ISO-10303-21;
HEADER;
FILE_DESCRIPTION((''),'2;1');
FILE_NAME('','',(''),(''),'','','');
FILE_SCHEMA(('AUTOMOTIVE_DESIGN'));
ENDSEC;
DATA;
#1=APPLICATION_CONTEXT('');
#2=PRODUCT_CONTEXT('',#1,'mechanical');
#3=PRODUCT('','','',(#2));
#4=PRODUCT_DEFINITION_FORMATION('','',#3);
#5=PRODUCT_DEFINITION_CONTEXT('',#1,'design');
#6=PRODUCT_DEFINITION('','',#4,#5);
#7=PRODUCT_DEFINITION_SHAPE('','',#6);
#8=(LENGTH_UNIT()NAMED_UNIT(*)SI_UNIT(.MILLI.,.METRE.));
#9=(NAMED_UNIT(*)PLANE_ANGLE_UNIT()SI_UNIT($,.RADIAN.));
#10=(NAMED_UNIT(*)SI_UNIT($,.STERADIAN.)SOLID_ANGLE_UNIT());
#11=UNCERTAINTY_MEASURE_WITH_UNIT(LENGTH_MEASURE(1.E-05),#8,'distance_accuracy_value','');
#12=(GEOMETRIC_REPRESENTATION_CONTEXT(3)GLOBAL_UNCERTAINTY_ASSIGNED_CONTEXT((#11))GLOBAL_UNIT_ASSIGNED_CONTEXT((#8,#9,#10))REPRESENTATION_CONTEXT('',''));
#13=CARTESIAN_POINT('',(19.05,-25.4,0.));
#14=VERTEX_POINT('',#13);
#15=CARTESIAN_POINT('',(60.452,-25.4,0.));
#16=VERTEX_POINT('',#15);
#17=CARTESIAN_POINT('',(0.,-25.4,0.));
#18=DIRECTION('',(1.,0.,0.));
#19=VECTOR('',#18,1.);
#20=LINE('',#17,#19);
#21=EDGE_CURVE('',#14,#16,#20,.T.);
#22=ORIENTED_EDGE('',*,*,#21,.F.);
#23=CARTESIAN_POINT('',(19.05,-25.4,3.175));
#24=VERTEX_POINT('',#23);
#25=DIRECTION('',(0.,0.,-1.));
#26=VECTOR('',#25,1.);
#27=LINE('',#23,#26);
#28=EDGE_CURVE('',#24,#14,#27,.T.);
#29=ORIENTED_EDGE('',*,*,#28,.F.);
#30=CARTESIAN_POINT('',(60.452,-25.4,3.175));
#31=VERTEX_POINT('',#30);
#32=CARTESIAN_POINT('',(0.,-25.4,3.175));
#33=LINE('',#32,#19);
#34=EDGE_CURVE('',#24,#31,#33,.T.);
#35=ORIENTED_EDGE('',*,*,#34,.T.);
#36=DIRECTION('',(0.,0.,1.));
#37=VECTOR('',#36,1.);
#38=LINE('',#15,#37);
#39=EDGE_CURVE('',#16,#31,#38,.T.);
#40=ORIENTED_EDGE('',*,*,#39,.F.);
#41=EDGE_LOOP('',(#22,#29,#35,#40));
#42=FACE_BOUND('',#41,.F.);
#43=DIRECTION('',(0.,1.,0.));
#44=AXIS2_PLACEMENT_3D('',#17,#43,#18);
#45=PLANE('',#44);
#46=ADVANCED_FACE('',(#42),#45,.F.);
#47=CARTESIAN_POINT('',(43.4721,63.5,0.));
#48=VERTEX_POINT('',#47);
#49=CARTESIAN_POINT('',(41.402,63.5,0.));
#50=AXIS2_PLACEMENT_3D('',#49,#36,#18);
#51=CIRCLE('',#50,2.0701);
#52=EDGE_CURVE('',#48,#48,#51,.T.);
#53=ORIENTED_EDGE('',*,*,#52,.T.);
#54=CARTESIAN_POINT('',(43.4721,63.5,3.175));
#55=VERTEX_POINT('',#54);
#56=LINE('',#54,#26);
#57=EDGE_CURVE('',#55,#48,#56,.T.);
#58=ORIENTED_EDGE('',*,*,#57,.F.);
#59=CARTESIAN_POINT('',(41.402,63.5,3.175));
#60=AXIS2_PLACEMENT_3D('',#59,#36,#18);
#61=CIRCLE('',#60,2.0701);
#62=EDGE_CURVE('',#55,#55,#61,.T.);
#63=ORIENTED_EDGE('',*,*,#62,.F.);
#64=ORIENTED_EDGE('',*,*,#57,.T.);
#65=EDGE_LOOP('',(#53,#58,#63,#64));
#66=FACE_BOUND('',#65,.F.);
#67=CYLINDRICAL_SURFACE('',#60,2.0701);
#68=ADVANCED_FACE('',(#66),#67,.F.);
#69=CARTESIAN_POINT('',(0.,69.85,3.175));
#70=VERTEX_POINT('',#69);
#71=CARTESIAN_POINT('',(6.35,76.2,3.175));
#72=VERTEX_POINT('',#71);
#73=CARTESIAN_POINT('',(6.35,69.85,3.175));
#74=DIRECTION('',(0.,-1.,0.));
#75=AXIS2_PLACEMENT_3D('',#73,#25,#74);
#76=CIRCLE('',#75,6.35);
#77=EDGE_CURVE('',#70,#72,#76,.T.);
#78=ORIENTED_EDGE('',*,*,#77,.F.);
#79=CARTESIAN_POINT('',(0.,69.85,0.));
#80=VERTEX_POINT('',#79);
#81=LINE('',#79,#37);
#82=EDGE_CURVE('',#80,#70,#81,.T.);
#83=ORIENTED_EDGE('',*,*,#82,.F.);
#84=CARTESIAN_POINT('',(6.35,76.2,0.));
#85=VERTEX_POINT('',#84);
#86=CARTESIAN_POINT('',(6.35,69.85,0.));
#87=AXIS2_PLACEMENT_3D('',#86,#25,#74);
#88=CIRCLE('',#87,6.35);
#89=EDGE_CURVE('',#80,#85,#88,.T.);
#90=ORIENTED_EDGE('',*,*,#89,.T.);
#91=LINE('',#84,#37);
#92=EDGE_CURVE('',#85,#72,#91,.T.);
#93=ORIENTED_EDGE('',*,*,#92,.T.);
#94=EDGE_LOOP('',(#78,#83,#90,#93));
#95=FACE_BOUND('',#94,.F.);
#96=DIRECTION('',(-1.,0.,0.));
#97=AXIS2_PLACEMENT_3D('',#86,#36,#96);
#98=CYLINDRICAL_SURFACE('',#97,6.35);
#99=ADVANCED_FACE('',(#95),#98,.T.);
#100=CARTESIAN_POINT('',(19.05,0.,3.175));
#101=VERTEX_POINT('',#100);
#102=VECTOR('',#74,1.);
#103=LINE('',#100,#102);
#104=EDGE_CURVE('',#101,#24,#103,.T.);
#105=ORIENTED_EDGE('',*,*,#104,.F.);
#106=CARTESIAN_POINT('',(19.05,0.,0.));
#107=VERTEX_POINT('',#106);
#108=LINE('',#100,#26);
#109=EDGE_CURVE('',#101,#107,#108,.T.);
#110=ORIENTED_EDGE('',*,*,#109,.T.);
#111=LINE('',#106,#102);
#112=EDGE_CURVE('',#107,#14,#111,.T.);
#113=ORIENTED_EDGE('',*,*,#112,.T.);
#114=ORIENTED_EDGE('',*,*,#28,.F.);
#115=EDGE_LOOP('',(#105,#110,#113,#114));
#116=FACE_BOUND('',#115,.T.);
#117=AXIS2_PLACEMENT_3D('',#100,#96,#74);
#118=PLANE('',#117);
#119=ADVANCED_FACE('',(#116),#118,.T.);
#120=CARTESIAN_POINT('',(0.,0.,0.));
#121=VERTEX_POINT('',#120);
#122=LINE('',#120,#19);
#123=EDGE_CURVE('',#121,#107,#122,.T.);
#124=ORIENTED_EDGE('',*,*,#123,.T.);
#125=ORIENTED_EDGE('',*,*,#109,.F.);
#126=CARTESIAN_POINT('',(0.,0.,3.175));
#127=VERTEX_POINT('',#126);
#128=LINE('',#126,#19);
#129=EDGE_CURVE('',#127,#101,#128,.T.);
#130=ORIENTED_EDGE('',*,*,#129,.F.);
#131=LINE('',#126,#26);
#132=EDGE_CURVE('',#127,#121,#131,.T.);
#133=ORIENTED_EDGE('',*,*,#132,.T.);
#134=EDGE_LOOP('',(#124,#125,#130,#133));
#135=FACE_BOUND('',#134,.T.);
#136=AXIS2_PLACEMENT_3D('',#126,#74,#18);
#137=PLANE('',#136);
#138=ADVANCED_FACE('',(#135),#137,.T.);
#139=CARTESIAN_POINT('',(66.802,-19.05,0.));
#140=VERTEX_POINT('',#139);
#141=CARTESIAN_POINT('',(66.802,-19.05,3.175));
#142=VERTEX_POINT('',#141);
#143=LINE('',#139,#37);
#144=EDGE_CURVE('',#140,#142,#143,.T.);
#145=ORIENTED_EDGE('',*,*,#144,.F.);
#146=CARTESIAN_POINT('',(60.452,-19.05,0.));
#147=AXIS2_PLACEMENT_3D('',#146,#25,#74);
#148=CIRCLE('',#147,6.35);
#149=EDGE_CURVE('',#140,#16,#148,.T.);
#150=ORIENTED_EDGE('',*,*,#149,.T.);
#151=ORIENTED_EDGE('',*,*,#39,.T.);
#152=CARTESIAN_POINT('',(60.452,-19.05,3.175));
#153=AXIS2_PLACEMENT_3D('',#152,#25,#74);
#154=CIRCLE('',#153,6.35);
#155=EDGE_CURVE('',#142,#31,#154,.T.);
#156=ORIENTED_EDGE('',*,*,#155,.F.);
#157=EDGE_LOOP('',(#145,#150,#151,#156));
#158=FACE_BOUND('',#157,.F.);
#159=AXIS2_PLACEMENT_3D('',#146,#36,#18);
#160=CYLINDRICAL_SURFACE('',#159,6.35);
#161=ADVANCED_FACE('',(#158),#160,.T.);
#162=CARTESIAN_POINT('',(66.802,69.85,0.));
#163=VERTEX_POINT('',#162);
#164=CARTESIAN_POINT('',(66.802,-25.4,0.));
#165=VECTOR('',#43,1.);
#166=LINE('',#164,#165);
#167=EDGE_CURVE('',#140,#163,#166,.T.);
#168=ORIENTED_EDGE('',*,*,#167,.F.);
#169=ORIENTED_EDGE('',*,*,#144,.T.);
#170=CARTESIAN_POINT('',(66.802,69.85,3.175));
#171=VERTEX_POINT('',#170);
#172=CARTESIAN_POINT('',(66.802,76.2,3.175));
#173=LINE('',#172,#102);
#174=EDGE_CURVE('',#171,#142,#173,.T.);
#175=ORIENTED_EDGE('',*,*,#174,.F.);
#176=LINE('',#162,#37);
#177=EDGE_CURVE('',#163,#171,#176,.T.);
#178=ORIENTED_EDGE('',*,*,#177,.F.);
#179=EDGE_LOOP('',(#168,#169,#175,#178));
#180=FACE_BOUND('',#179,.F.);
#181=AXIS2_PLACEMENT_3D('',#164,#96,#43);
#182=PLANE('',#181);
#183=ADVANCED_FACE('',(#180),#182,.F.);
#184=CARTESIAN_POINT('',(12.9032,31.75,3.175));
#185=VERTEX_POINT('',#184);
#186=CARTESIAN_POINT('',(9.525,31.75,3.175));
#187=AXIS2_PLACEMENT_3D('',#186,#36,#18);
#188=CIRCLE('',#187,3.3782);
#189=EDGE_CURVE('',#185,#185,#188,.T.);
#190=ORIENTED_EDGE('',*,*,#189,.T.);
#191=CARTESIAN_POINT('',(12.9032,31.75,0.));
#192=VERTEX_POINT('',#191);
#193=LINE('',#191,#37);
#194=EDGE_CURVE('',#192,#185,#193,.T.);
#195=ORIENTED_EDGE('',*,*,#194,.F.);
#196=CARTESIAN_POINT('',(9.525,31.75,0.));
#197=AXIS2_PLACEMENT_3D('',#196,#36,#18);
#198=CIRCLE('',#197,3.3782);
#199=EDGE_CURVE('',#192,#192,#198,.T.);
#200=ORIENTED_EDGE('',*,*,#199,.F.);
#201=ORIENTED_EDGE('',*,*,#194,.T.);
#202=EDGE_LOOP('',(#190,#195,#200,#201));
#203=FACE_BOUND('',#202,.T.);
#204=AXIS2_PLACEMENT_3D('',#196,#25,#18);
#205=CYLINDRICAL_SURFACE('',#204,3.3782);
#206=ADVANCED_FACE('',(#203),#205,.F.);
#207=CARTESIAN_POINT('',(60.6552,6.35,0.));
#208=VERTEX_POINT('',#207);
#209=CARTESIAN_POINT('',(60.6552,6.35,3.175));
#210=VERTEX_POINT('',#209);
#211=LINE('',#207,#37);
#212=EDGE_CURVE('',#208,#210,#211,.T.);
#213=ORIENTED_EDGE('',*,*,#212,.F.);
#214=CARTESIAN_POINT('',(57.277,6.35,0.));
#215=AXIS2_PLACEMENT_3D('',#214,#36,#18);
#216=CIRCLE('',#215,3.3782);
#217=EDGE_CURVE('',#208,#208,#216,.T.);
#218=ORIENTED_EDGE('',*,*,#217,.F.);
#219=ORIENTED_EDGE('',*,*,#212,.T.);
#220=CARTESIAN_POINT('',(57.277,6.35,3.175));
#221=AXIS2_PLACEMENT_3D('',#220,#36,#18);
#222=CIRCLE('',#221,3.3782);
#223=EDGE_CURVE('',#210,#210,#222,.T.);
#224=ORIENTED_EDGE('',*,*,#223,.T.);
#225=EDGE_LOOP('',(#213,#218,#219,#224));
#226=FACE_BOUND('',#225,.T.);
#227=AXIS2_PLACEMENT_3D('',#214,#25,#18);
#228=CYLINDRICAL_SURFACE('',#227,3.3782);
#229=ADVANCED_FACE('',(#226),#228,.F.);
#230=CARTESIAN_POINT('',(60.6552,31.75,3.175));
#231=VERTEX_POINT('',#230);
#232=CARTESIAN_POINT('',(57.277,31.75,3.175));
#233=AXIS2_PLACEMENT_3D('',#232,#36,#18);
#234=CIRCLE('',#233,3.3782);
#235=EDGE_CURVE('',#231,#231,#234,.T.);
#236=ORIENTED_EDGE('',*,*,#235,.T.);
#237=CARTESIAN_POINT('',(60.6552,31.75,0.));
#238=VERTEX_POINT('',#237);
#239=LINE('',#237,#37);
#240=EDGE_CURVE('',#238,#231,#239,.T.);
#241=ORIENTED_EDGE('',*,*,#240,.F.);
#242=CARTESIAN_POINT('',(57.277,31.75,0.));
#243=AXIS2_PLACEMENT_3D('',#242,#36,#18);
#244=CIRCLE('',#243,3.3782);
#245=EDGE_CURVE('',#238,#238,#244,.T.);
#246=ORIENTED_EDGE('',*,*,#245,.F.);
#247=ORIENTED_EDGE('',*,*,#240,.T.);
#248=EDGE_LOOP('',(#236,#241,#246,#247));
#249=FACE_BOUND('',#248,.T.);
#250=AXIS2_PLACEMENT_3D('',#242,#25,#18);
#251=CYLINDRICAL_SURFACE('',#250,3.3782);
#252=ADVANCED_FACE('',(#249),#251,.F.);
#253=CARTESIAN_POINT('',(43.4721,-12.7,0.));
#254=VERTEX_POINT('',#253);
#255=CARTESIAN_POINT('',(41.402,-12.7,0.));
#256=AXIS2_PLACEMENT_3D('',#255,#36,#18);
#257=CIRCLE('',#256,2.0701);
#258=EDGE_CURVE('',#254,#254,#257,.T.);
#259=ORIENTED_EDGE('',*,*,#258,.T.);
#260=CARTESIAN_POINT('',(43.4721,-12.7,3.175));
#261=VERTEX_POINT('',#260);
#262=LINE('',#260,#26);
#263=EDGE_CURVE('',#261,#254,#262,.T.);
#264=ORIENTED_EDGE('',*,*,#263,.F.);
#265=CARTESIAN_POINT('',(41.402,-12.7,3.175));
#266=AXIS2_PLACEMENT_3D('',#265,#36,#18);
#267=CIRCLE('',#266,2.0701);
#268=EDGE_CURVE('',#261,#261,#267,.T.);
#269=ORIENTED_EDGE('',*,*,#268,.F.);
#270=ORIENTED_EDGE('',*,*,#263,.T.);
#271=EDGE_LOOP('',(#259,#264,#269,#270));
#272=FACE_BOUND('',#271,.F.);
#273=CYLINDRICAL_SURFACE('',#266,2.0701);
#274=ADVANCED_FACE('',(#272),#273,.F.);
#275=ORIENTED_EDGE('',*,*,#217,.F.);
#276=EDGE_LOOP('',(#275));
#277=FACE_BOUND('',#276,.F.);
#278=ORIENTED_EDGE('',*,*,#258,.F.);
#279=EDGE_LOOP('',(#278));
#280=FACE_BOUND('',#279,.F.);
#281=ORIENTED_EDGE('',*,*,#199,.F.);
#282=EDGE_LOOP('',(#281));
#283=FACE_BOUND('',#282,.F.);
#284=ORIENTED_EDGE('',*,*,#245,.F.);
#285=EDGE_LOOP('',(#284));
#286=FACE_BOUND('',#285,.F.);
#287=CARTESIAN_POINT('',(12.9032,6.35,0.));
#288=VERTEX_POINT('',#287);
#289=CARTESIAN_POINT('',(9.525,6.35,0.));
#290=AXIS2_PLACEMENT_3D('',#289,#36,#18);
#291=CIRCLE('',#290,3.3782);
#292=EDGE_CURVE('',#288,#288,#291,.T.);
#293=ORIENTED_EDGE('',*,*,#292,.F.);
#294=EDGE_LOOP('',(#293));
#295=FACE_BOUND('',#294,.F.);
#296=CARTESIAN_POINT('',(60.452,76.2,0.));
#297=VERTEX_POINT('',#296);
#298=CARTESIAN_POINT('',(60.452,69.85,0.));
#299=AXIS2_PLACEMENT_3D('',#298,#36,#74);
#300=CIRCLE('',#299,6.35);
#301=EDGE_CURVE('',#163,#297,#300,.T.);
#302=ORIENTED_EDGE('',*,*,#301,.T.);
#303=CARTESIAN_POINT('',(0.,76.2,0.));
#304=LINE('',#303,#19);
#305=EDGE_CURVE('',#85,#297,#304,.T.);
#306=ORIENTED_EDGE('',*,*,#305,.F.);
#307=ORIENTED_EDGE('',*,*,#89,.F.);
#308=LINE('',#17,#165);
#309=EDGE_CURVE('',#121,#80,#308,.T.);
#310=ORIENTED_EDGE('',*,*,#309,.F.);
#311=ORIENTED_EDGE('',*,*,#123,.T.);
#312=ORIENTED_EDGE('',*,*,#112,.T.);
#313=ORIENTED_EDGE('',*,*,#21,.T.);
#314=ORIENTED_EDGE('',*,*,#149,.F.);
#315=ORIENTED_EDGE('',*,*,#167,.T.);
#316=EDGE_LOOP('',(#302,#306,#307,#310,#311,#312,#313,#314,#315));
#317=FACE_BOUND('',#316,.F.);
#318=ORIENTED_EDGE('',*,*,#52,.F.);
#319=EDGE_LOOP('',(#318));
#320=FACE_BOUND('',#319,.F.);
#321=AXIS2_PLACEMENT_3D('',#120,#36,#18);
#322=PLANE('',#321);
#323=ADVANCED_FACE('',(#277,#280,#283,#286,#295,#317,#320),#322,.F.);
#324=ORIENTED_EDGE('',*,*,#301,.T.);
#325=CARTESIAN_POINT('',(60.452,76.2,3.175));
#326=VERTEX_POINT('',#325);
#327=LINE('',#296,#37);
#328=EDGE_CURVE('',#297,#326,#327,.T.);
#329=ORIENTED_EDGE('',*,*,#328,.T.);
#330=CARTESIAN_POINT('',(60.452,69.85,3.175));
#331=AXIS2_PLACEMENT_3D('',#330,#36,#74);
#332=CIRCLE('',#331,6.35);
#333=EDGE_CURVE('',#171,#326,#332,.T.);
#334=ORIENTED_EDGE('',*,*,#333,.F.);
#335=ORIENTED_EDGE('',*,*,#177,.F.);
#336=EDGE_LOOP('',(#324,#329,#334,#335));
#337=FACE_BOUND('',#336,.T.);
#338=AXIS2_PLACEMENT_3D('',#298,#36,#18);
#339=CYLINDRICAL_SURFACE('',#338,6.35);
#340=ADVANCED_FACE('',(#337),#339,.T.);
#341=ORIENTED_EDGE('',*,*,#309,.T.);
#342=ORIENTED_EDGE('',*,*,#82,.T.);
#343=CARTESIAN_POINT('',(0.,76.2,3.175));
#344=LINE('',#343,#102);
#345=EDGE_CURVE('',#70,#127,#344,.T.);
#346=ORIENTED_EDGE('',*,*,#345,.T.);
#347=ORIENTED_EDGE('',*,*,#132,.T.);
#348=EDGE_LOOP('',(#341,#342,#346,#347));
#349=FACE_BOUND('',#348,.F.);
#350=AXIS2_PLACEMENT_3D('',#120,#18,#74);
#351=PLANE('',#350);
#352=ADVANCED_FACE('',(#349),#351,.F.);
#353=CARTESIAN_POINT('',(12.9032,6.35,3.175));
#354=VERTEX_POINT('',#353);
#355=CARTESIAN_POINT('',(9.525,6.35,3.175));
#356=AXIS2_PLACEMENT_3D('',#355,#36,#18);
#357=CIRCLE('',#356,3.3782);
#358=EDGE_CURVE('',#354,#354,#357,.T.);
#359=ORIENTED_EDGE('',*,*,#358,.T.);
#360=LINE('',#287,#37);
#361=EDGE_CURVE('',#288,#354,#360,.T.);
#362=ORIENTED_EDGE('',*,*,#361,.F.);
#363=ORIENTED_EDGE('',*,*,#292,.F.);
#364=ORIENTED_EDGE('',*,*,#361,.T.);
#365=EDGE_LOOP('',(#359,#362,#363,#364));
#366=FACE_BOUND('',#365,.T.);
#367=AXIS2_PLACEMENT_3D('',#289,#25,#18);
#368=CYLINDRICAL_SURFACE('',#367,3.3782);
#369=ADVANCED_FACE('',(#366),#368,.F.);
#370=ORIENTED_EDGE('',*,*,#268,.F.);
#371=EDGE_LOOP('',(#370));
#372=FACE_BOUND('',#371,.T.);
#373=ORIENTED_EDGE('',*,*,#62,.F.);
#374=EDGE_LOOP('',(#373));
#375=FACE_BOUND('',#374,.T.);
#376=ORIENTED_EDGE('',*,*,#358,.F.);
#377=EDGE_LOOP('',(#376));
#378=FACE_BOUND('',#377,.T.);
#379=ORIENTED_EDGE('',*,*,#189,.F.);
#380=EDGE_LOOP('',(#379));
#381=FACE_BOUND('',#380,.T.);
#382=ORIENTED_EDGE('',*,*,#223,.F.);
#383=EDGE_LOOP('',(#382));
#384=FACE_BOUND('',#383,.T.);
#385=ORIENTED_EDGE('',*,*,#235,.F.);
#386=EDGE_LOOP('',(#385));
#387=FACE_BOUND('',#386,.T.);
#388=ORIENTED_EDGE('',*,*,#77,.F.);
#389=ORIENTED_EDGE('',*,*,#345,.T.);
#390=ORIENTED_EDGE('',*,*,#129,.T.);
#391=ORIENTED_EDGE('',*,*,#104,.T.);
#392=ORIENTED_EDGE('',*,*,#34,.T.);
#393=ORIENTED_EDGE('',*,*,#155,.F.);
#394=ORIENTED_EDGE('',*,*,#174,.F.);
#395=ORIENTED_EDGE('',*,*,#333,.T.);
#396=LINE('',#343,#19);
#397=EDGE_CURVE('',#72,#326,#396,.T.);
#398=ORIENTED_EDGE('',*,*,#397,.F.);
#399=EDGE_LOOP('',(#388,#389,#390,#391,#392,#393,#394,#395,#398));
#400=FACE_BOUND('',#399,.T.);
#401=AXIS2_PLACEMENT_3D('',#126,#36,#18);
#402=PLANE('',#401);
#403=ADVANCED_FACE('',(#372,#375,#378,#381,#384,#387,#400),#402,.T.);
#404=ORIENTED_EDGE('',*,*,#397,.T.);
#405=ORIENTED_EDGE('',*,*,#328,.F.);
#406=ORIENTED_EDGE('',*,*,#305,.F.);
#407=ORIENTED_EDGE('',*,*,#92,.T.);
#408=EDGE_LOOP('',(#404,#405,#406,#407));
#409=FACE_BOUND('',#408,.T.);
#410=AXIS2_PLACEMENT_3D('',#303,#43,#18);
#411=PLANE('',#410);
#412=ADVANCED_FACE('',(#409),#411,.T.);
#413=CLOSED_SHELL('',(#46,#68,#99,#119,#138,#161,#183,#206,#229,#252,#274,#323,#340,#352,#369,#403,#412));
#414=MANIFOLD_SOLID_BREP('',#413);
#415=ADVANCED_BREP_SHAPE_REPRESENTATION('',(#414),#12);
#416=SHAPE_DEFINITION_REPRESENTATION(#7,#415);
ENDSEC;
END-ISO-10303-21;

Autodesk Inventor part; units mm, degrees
ref_plane "YZ Plane" through (0, 0, 0) normal (1, 0, 0) x (0, 1, 0)
ref_plane "XZ Plane" through (0, 0, 0) normal (0, 1, 0) x (-1, 0, 0)
ref_plane "XY Plane" through (0, 0, 0) normal (0, 0, 1) x (1, 0, 0)
sketch "Sketch1" plane through (0, 0, 0) normal (0, 0, 1) x (1, 0, 0)
  line L0 (66.802, 0) -> (66.802, 38.1)
  line L1 (0, 38.1) -> (0, 0)
  line L2 (9.525, 31.75) -> (57.277, 31.75) construction
  line L3 (57.277, 31.75) -> (57.277, 6.35) construction
  line L4 (57.277, 6.35) -> (9.525, 6.35) construction
  line L5 (9.525, 6.35) -> (9.525, 31.75) construction
  circle A0 centre (9.525, 31.75) radius 3.3782
  circle A1 centre (9.525, 6.35) radius 3.3782
  circle A2 centre (57.277, 31.75) radius 3.3782
  circle A3 centre (57.277, 6.35) radius 3.3782
  line L6 (0, 0) -> (0, -25.4)
  line L7 (0, -25.4) -> (66.802, -25.4)
  line L8 (66.802, -25.4) -> (66.802, 0)
  line L9 (0, 38.1) -> (0, 76.2)
  line L10 (0, 76.2) -> (66.802, 76.2)
  line L11 (66.802, 76.2) -> (66.802, 38.1)
  point P0 (0, 0)
  dimension "d0" = 38.1
  dimension "d1" = 66.802
  dimension "d2" = 25.4
  dimension "d3" = 47.752
  dimension "d4" = 9.525
  dimension "d6" = 6.7564
  dimension "d7" = 6.7564
  dimension "d8" = 6.7564
  dimension "d9" = 6.7564
  dimension "d14" = 6.35
  dimension "d15" = 9.525
  dimension "d17" = 25.4
  dimension "d18" = 101.6
extrude "Extrusion1" add sketch "Sketch1" along normal blind 3.175
sketch "Sketch4" plane through (0, 0, 3.175) normal (0, 0, 1) x (1, 0, 0)
  line L0 (66.802, -25.4) -> (66.802, 76.2) projected
  line L1 (0, -25.4) -> (66.802, -25.4) projected
  circle A0 centre (41.402, -12.7) radius 2.0701
  circle A1 centre (41.402, 63.5) radius 2.0701
  point P0 (0, 0)
  dimension "d31" = 4.1402
  dimension "d32" = 25.4
  dimension "d33" = 12.7
  dimension "d34" = 4.1402
  dimension "d35" = 76.2
  dimension "d36" = 25.4
extrude "Extrusion4" cut sketch "Sketch4" against normal blind 25.4
fillet "Fillet1" radius 6.35 4 edges at (0, 76.2, 1.5875) (66.802, 76.2, 1.5875) (0, -25.4, 1.5875) (66.802, -25.4, 1.5875)
sketch "Sketch5" plane through (0, 0, 3.175) normal (0, 0, 1) x (1, 0, 0)
  line L0 (0, 69.85) -> (0, -19.05) projected
  arc A0 (0, -19.05) -> (6.35, -25.4) centre (6.35, -19.05) ccw projected
  line L1 (6.35, -25.4) -> (60.452, -25.4) projected
  line L2 (0, 0) -> (19.05, 0)
  line L3 (19.05, 0) -> (19.05, -25.4)
  point P0 (0, 0)
  dimension "d40" = 25.4
  dimension "d41" = 19.05
extrude "Extrusion5" cut sketch "Sketch5" against normal blind 25.4
equation "\"d4\" = -0.5 * d3 + 0.5 * d1"
properties part number "Aluminum Plate (0.125)" material "Aluminum 6061"
